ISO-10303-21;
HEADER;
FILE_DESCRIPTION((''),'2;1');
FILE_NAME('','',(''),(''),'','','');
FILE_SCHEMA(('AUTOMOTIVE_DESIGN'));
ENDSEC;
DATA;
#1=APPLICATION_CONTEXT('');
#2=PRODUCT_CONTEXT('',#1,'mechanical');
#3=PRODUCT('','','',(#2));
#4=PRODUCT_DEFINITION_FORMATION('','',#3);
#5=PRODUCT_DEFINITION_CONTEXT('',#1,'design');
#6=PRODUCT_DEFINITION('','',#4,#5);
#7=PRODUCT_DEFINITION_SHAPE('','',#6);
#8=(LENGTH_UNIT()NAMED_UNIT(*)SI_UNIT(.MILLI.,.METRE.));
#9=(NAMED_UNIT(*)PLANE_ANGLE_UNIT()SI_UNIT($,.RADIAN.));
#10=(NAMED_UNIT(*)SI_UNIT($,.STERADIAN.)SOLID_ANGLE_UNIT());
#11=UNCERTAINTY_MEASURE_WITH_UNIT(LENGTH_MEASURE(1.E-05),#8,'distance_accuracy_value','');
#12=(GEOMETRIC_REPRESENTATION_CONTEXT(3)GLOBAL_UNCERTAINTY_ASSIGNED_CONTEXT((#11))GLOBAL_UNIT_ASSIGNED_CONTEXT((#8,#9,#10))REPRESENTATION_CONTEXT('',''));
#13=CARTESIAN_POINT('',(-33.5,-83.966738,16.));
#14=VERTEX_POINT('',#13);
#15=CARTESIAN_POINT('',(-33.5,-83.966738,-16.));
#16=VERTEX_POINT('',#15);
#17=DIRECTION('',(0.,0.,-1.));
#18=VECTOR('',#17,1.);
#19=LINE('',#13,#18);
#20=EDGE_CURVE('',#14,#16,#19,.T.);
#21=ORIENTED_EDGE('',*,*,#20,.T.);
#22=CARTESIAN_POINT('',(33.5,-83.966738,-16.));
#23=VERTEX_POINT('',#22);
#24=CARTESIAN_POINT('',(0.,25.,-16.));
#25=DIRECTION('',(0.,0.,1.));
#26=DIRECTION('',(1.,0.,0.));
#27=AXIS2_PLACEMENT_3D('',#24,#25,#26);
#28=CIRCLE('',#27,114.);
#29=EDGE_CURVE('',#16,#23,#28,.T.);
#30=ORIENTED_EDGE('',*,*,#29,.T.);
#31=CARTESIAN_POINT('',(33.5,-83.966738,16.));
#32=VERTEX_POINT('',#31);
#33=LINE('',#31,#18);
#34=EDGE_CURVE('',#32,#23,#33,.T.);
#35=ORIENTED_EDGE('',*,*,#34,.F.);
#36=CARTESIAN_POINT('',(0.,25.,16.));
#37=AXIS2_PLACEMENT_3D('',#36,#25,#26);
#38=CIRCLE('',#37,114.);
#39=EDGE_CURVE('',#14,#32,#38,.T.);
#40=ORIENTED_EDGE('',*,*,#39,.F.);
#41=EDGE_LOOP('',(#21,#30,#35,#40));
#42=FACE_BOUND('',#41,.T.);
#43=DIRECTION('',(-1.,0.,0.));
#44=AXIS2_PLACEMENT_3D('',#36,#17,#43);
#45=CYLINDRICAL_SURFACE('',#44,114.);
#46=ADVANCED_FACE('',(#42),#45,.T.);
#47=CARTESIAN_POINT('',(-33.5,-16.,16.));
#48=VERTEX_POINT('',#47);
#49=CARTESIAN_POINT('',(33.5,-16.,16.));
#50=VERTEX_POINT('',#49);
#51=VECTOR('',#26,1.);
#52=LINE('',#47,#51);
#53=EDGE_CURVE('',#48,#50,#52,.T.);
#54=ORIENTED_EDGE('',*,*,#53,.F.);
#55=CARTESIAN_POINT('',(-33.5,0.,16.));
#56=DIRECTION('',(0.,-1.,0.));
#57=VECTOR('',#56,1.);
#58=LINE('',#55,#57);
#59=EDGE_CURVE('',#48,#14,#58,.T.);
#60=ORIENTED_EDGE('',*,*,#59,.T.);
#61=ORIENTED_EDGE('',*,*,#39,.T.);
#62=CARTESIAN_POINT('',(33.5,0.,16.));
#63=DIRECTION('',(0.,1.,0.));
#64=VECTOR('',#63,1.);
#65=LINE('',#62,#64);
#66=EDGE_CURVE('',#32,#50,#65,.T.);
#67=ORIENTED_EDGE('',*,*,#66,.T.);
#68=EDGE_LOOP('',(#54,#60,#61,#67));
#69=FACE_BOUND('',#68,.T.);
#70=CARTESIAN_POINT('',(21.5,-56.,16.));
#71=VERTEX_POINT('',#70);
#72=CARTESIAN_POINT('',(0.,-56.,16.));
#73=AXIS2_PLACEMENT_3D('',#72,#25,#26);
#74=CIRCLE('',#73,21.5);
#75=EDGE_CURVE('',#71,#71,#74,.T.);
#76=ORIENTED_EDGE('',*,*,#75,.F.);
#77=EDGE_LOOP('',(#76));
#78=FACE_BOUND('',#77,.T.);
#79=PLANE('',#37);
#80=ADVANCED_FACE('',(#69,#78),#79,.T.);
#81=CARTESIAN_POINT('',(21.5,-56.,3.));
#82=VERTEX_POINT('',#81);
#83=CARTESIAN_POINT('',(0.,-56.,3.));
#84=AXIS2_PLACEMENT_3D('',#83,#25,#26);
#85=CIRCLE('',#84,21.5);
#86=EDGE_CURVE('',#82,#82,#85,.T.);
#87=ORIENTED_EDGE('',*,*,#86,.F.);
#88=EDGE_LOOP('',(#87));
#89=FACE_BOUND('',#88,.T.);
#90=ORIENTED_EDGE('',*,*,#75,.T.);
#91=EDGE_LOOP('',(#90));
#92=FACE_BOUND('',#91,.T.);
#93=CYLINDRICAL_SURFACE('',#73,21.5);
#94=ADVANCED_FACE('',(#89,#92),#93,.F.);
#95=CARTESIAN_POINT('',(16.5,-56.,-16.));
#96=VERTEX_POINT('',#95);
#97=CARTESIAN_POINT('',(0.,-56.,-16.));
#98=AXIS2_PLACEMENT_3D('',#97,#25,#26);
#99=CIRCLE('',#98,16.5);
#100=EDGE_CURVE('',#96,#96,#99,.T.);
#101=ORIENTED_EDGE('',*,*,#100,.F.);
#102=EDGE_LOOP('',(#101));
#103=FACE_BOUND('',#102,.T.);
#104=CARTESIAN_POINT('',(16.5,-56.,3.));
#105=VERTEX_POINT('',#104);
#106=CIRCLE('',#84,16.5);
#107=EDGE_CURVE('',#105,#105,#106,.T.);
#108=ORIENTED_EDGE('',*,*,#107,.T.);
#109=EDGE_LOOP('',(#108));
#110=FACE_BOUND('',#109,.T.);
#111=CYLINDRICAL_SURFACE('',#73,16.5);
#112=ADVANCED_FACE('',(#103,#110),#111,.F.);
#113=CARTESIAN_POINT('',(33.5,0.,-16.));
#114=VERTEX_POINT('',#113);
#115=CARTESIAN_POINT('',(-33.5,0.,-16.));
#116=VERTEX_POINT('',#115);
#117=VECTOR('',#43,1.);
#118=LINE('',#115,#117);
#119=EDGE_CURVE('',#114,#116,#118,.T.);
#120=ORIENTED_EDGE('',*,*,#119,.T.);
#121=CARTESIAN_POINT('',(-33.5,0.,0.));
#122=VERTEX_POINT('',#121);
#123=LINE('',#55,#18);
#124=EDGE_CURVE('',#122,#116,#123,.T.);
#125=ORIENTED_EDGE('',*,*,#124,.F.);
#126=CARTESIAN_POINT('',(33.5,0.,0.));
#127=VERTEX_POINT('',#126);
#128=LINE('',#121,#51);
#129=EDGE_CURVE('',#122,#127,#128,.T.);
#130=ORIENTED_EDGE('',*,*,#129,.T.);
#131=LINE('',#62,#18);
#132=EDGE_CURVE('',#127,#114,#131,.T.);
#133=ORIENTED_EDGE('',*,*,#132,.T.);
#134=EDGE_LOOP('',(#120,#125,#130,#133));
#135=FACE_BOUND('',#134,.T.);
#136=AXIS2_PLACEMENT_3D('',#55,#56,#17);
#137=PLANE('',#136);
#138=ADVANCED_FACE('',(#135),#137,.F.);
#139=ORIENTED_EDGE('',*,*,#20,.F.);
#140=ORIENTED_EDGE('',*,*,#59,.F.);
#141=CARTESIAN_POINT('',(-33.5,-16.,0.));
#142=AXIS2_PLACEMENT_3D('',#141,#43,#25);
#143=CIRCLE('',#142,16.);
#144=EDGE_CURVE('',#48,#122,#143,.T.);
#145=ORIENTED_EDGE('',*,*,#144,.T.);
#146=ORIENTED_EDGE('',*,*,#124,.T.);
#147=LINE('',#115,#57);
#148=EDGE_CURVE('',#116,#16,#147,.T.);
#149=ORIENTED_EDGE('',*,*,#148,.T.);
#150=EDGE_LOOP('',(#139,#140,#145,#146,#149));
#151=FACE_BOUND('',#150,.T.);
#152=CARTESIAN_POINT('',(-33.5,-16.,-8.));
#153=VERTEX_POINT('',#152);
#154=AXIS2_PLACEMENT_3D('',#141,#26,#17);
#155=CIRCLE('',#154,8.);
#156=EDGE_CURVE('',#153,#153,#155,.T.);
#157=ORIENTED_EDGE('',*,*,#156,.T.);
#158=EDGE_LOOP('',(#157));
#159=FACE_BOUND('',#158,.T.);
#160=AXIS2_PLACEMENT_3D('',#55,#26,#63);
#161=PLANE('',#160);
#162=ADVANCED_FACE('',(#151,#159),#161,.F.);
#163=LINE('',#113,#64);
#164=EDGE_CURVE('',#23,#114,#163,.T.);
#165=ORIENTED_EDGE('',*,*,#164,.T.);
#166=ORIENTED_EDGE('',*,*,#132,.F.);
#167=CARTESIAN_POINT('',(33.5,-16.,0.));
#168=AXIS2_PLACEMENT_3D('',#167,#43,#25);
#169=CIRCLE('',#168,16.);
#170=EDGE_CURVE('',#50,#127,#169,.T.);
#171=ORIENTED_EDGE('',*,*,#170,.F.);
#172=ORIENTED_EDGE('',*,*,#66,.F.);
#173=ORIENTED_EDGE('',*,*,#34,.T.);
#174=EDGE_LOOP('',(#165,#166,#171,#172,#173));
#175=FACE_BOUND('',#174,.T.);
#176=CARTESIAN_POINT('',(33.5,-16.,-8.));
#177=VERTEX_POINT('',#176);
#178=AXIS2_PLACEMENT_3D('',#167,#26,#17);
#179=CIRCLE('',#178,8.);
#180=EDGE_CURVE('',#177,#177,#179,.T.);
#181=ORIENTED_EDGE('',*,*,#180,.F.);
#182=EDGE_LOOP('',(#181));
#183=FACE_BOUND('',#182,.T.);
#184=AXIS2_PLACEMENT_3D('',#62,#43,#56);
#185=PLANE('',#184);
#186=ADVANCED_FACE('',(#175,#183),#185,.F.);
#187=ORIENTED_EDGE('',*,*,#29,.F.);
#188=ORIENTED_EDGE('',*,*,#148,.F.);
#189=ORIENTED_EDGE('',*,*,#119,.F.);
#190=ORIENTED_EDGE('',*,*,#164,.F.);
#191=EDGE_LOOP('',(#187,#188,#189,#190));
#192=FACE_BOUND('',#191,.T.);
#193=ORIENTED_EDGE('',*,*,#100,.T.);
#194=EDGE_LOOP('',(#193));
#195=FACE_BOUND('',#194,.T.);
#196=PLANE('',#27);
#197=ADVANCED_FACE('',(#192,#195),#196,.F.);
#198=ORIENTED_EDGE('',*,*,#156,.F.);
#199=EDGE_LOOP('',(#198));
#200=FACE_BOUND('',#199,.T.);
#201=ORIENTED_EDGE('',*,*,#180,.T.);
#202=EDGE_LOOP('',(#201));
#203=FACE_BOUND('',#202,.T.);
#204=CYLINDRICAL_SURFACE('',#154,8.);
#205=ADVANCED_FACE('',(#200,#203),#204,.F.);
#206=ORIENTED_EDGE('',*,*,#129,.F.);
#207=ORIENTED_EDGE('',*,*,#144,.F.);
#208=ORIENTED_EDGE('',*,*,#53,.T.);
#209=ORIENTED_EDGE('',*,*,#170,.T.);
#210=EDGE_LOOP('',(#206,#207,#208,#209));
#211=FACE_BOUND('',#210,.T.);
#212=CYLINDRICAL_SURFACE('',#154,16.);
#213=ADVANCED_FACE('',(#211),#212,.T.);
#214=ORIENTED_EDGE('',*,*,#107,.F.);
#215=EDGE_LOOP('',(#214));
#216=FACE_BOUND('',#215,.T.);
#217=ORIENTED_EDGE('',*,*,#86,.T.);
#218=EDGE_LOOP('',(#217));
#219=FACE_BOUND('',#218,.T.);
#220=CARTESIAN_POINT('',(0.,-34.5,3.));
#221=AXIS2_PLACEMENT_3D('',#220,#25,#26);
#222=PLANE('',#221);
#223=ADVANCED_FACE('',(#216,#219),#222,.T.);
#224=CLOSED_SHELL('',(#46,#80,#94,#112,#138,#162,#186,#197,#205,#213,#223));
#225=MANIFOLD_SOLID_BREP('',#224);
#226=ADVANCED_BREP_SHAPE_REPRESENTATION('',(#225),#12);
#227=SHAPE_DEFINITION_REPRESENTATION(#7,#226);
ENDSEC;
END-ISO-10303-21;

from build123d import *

# Parameters (mm, degrees)
Y_KSEKLIK_EKSTR_ZYON1_DEPTH = 16
KES_EKSTR_ZYON1_DEPTH       = 97.432618963
KES_EKSTR_ZYON1_DEPTH_BACK  = 97.432618963
KES_EKSTR_ZYON2_DEPTH       = 97.432618963
KES_EKSTR_ZYON2_DEPTH_BACK  = 97.432618963
IZIM3_R                     = 8


with BuildPart() as part:
    # Çizim1 → Yükseklik-Ekstrüzyon1 (new, symmetric)
    with BuildSketch(Plane.XY):
        with BuildLine():
            Line((-33.5, 0), (33.5, 0))
            Line((33.5, 0), (33.5, -83.966738044))
            ThreePointArc((33.5, -83.966738044), (0, -89), (-33.5, -83.966738044))
            Line((-33.5, -83.966738044), (-33.5, 0))
        make_face()
    extrude(amount=Y_KSEKLIK_EKSTR_ZYON1_DEPTH, both=True)

    # Çizim2 → Kes-Ekstrüzyon1 (cut, two sides: drawn at the far end of the back side and taken through both)
    with BuildSketch(Plane(origin=(0, 0, 0), x_dir=(0, 0, -1), z_dir=(1, 0, 0)).offset(-KES_EKSTR_ZYON1_DEPTH_BACK)):
        with BuildLine():
            Line((-16, -16), (-16, 0))
            Line((-16, 0), (0, 0))
            ThreePointArc((0, 0), (-11.313708499, -4.686291501), (-16, -16))
        make_face()
    extrude(amount=KES_EKSTR_ZYON1_DEPTH + KES_EKSTR_ZYON1_DEPTH_BACK, mode=Mode.SUBTRACT)

    # Çizim3 → Kes-Ekstrüzyon2 (cut, two sides: drawn at the far end of the back side and taken through both)
    with BuildSketch(Plane(origin=(0, 0, 0), x_dir=(0, 0, -1), z_dir=(1, 0, 0)).offset(-KES_EKSTR_ZYON2_DEPTH_BACK)):
        with Locations((0, -16)):
            Circle(IZIM3_R)
    extrude(amount=KES_EKSTR_ZYON2_DEPTH + KES_EKSTR_ZYON2_DEPTH_BACK, mode=Mode.SUBTRACT)

    # Çizim4 → Kes-Döndür1 (revolve, cut)
    with BuildSketch(Plane(origin=(0, 0, 0), x_dir=(0, 0, -1), z_dir=(1, 0, 0)), mode=Mode.PRIVATE) as kes_d_nd_r1_sk:
        Polygon((-16, -34.5), (-3, -34.5), (-3, -39.5), (16, -39.5), (16, -56), (-16, -56), align=None)
    revolve(kes_d_nd_r1_sk.sketch.rotate(Axis((0, -56, 16), (0, 0, -1)), 90), axis=Axis((0, -56, 16), (0, 0, -1)), mode=Mode.SUBTRACT)


solid = part.part
